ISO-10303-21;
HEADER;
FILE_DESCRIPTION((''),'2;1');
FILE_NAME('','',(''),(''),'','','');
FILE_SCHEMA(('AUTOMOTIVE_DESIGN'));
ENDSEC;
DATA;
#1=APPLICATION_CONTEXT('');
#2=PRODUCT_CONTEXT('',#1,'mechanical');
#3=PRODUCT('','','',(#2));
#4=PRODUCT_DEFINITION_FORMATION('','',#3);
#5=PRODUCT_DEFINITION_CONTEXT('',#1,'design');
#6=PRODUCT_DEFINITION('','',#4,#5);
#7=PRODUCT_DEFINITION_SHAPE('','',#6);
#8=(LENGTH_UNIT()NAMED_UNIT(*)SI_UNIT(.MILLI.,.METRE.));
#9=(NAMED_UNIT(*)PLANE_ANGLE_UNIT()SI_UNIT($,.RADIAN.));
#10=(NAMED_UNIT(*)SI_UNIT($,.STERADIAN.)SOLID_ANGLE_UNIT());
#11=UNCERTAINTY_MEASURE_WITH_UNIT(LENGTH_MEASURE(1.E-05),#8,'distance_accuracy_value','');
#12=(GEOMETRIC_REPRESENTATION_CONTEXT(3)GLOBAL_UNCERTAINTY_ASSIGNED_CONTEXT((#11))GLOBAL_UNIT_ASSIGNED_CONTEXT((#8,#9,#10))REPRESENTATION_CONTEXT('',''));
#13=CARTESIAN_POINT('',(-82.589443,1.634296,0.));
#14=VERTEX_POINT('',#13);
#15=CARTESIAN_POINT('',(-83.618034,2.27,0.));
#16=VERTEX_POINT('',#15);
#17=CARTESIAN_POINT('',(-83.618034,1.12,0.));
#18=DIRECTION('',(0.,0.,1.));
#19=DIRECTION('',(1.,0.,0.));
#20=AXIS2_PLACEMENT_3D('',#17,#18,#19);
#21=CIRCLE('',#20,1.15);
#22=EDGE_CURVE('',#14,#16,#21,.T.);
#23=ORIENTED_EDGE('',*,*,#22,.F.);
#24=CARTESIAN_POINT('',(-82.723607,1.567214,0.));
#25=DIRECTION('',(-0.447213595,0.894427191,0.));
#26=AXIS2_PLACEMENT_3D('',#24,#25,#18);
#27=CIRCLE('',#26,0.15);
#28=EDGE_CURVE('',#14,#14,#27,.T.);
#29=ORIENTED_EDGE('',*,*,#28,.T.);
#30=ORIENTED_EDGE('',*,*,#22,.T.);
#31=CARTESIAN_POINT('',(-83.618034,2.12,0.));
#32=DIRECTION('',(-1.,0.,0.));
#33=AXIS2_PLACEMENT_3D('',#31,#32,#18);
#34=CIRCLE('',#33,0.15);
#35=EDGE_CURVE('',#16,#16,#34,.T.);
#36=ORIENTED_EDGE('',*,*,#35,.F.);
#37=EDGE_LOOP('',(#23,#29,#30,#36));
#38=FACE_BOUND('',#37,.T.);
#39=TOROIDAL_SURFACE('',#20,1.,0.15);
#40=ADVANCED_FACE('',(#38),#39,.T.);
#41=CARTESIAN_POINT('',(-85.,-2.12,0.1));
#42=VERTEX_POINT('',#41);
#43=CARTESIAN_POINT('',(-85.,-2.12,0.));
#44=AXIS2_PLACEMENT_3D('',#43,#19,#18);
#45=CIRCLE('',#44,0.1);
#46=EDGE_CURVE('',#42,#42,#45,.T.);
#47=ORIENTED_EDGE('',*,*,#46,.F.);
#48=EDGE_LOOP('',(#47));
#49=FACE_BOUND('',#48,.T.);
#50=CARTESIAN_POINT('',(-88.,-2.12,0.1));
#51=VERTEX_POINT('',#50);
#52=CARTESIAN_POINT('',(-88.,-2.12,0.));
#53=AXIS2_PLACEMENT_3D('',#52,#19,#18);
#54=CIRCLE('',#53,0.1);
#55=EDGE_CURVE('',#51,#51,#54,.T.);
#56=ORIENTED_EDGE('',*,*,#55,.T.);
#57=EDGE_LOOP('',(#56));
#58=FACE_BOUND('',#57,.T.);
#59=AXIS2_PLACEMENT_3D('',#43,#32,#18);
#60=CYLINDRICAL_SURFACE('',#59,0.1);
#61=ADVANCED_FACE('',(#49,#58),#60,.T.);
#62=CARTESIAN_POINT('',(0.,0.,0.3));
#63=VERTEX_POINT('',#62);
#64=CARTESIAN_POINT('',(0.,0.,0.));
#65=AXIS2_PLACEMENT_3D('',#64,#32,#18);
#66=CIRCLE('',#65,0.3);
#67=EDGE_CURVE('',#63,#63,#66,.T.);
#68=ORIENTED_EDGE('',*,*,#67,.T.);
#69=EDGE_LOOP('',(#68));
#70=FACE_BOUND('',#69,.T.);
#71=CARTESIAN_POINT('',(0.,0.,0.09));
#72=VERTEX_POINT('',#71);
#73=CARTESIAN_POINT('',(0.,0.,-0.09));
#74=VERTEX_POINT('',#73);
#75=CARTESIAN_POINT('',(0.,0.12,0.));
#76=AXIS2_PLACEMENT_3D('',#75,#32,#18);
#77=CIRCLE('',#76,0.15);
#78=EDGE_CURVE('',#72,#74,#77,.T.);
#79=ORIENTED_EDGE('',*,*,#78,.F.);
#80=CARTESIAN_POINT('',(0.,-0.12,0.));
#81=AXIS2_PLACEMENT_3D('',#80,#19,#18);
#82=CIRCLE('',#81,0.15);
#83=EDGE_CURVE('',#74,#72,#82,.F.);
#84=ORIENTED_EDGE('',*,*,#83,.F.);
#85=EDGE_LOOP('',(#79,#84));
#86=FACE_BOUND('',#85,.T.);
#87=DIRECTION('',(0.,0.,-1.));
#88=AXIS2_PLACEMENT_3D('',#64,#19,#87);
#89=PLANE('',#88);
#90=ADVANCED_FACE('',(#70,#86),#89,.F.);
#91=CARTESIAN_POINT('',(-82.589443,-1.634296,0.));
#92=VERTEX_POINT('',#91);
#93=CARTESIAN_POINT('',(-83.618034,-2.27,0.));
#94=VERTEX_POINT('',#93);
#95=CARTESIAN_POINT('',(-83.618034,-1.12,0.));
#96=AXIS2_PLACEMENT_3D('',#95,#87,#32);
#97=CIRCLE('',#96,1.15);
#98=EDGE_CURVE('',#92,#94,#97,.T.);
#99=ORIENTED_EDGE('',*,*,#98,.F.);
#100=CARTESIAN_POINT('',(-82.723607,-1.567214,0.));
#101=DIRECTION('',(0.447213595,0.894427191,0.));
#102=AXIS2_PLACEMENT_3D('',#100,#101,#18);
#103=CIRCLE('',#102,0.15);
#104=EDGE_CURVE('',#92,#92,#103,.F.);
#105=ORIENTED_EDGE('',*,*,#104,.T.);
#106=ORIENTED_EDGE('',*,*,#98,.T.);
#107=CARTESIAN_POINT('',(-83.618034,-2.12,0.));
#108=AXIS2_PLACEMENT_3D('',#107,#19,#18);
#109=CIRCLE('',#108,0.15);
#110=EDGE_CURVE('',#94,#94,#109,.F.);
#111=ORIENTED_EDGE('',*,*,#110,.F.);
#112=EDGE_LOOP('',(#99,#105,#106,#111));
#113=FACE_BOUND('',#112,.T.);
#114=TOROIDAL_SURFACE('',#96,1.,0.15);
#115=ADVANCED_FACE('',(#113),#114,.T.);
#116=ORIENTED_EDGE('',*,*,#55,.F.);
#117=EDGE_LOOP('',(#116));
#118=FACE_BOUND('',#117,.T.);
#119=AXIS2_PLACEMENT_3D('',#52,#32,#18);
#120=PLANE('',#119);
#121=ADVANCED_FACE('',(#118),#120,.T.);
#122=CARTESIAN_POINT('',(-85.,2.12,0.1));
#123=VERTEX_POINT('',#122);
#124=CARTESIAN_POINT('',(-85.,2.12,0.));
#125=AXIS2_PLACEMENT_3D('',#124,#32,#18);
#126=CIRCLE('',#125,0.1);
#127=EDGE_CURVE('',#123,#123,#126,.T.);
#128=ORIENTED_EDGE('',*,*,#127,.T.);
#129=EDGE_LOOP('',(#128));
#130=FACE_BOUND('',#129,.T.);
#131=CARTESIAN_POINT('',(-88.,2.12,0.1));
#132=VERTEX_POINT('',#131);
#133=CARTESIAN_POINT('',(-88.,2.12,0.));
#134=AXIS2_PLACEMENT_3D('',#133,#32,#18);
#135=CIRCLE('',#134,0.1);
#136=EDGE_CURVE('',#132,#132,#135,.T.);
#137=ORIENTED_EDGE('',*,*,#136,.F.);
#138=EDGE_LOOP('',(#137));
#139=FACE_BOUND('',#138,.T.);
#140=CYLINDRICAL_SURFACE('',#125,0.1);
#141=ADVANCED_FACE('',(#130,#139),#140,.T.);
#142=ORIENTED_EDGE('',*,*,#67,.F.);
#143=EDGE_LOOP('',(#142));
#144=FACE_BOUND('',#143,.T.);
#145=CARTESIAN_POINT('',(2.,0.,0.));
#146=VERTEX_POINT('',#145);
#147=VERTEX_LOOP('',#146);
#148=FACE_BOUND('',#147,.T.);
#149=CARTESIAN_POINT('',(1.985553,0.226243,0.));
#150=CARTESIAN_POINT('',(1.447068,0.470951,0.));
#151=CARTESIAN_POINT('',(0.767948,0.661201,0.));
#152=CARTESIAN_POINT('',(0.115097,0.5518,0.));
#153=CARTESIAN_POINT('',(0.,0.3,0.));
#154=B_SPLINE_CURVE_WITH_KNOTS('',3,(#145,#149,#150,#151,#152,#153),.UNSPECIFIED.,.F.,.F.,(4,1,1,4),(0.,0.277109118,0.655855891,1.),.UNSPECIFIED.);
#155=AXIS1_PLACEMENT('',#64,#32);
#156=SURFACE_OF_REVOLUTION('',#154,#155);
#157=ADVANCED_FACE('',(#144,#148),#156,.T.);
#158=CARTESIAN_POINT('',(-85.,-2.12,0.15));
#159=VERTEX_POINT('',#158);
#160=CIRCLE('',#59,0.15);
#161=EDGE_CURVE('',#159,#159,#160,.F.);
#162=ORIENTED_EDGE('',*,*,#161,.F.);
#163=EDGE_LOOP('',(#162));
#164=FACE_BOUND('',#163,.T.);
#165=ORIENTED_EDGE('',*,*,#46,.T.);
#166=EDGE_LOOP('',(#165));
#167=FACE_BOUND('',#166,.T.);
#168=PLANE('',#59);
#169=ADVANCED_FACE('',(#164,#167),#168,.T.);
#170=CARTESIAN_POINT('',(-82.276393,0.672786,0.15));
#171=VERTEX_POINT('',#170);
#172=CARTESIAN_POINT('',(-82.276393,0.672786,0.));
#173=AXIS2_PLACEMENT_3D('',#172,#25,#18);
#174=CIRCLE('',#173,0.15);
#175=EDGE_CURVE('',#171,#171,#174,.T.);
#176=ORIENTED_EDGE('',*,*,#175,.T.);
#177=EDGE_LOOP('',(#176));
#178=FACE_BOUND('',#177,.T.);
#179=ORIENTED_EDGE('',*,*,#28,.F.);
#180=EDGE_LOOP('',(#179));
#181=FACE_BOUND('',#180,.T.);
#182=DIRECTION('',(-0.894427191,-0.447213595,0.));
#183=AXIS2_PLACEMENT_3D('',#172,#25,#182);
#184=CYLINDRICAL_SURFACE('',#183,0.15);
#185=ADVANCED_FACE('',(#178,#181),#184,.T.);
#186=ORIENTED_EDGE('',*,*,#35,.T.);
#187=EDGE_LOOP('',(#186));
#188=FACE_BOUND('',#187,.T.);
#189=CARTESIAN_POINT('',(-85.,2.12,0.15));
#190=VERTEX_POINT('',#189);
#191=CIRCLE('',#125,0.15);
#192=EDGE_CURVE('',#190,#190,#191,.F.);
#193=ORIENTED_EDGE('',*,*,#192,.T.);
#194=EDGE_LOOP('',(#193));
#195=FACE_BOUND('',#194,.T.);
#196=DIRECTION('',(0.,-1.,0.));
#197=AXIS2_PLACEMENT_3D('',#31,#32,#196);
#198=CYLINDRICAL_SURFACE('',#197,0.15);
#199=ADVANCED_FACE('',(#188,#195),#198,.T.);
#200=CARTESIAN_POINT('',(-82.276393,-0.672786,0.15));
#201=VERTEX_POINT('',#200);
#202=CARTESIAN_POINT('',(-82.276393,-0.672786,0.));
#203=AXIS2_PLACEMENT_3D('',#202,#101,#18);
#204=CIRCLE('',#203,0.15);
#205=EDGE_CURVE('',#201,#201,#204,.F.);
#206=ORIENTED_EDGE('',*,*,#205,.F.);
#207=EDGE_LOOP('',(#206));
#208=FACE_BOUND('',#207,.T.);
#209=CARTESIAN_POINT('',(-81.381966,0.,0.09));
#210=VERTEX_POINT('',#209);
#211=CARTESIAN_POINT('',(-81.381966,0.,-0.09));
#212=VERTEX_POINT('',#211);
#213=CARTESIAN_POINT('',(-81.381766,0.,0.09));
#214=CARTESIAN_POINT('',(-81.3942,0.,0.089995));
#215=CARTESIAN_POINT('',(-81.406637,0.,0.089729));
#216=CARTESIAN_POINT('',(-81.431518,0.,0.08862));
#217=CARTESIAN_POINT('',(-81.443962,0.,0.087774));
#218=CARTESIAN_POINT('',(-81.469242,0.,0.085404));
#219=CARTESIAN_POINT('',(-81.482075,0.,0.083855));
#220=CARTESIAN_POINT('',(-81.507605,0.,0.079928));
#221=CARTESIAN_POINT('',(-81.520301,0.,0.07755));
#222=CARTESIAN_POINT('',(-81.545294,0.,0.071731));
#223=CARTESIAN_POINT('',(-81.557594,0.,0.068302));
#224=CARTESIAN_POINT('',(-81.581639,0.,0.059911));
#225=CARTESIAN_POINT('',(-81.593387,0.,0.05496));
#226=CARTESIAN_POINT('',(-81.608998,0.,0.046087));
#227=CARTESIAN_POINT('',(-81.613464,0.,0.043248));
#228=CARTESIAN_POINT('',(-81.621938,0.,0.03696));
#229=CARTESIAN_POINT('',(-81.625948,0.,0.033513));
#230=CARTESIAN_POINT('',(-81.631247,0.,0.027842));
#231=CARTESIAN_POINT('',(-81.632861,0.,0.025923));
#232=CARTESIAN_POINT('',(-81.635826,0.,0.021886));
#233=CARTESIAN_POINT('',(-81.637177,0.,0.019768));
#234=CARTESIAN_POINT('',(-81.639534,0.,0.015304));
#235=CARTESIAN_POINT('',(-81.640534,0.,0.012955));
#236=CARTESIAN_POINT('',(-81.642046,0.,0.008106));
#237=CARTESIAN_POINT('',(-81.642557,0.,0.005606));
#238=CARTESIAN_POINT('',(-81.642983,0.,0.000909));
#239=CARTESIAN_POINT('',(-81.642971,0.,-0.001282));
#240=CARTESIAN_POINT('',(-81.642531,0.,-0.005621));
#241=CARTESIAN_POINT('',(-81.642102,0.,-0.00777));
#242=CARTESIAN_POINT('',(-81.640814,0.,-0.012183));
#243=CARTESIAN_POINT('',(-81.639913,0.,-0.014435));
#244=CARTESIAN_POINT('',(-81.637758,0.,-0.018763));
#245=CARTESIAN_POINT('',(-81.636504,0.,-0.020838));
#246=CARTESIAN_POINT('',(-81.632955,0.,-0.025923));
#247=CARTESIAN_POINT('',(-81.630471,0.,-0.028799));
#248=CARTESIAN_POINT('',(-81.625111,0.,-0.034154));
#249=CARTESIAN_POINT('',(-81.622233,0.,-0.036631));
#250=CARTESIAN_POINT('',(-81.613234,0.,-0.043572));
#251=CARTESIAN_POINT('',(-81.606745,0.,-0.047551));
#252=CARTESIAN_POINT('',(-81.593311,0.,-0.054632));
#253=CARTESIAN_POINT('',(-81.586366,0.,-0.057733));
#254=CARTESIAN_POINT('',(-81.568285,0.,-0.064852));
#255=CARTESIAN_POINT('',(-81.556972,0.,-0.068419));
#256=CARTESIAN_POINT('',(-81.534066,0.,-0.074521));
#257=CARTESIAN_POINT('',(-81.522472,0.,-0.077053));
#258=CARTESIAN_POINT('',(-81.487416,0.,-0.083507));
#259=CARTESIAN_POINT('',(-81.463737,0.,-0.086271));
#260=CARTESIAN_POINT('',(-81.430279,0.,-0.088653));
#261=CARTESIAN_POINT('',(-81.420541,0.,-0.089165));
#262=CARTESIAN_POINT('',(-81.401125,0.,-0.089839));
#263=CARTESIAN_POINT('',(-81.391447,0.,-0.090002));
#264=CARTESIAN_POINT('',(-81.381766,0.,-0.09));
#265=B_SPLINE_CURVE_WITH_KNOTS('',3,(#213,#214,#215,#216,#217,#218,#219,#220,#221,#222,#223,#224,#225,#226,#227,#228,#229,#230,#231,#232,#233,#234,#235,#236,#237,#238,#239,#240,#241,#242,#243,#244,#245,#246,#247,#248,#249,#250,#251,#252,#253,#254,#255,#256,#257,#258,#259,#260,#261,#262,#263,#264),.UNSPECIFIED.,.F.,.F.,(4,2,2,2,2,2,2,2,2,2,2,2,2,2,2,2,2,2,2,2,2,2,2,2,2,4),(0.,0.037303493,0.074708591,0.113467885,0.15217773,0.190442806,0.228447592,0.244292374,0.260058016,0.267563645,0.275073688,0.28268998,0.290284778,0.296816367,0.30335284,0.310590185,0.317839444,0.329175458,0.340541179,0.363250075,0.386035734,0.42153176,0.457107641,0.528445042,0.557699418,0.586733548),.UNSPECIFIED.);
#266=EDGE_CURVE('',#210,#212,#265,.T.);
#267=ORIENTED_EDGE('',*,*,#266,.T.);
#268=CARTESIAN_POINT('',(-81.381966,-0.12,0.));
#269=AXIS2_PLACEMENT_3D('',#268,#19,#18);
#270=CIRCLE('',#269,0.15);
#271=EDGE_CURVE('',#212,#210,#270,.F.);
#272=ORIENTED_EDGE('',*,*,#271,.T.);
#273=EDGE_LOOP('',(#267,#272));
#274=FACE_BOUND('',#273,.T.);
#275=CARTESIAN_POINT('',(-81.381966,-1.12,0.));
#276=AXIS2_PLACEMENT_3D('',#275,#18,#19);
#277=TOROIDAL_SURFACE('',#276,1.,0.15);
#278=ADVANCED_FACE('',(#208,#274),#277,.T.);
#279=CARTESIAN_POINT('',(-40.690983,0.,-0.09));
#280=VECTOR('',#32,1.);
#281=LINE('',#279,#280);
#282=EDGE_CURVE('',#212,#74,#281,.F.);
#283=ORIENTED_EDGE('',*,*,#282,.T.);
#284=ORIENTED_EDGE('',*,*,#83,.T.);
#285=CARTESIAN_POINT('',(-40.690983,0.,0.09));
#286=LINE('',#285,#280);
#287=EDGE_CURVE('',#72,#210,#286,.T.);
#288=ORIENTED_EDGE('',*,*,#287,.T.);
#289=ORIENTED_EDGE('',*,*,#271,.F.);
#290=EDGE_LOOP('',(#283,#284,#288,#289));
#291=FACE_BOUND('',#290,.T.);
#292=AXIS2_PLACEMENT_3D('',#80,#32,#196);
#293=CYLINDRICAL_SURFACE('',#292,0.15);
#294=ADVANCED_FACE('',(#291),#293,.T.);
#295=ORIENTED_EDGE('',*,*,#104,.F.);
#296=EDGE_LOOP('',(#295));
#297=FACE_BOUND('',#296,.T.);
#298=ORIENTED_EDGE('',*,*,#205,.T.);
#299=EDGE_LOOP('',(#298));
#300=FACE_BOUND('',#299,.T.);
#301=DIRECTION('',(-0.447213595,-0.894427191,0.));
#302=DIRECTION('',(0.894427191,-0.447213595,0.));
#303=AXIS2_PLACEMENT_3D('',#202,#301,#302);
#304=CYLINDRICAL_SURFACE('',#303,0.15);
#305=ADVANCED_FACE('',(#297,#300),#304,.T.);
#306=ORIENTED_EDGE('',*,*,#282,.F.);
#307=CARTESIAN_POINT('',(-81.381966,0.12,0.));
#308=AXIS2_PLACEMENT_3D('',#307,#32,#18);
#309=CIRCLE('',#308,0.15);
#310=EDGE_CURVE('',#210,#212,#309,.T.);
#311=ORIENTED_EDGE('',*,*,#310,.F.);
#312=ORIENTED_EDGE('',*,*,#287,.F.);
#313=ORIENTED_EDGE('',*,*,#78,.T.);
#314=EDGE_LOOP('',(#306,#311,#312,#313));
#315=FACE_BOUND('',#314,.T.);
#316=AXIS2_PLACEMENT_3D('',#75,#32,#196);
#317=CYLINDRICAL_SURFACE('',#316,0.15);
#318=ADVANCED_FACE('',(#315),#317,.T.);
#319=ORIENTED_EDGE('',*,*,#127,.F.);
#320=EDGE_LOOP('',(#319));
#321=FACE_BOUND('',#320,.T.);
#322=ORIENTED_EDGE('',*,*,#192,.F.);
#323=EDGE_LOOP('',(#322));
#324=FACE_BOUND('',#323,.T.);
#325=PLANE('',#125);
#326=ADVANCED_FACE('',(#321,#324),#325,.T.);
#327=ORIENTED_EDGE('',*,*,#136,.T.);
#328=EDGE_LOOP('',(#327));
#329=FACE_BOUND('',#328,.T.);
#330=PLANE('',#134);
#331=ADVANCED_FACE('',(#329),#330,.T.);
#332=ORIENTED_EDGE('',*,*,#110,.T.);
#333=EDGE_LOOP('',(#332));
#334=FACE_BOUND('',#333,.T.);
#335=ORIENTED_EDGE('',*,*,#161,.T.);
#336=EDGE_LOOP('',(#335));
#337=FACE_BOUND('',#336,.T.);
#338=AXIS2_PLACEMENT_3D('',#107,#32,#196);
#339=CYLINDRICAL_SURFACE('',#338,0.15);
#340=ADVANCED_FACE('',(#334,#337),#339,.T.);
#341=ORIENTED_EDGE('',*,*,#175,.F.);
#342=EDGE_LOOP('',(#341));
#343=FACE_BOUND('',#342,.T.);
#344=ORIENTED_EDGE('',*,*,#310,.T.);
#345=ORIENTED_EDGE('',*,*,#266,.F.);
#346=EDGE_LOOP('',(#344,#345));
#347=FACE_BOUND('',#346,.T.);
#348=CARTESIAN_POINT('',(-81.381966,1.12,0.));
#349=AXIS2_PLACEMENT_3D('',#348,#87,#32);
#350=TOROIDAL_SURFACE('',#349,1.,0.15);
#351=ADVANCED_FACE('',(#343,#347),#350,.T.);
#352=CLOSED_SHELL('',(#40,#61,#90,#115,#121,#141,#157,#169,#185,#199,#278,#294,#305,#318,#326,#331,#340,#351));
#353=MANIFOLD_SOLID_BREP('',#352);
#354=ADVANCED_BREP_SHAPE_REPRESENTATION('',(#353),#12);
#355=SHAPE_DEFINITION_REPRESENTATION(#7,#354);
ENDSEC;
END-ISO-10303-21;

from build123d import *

# Parameters (mm, degrees)
SKETCH_3_R          = 0.15
SKETCH_4_R          = 0.223077301
SKETCH_4_R_2        = 0.1
CUT_EXTRUDE_1_DEPTH = 3


with BuildPart() as part:
    # Эскиз1 → Повернуть1 (revolve)
    with BuildSketch(Plane.XY):
        with BuildLine():
            Line((0, 0), (0, 0.3))
            add(Edge.make_bspline(
                [(0, 0.3), (0.11509679, 0.551800246), (0.767947767, 0.661200883), (1.447067915, 0.470950787), (1.985552848, 0.226242678), (2, 0)],
                knots=[0, 0, 0, 0, 0.344144109, 0.722890882, 1, 1, 1, 1], degree=3))
            Line((2, 0), (0, 0))
        make_face()
    revolve(axis=Axis((0, 0, 0), (1, 0, 0)))

    # По траектории1: sweep along a path in Эскиз2
    with BuildLine(Plane.XY) as sweep_1_path:
        Line((0, 0.12), (-81.381966011, 0.12))
        ThreePointArc((-81.381966011, 0.12), (-81.907697123, 0.269349192), (-82.276393202, 0.672786405))
        Line((-82.276393202, 0.672786405), (-82.723606798, 1.567213595))
        ThreePointArc((-82.723606798, 1.567213595), (-83.092302877, 1.970650808), (-83.618033989, 2.12))
        Line((-83.618033989, 2.12), (-88, 2.12))
    # Эскиз3 → По траектории1 (sweep)
    with BuildSketch(Plane.ZY):
        with Locations((0, 0.12)):
            Circle(SKETCH_3_R)
    sweep_1 = sweep(path=sweep_1_path.line)

    # Эскиз4 → Вырез-Вытянуть1 (cut)
    with BuildSketch(Plane.ZY.offset(88)):
        with Locations((0, 2.12)):
            Circle(SKETCH_4_R)
        with Locations((0, 2.12)):
            Circle(SKETCH_4_R_2, mode=Mode.SUBTRACT)
    cut_extrude_1 = extrude(amount=-CUT_EXTRUDE_1_DEPTH, mode=Mode.SUBTRACT)

    # Зеркальное отражение3: По траектории1, Вырез-Вытянуть1 across plane
    add(sweep_1.mirror(Plane.ZX))
    add(cut_extrude_1.mirror(Plane.ZX), mode=Mode.SUBTRACT)


solid = part.part
